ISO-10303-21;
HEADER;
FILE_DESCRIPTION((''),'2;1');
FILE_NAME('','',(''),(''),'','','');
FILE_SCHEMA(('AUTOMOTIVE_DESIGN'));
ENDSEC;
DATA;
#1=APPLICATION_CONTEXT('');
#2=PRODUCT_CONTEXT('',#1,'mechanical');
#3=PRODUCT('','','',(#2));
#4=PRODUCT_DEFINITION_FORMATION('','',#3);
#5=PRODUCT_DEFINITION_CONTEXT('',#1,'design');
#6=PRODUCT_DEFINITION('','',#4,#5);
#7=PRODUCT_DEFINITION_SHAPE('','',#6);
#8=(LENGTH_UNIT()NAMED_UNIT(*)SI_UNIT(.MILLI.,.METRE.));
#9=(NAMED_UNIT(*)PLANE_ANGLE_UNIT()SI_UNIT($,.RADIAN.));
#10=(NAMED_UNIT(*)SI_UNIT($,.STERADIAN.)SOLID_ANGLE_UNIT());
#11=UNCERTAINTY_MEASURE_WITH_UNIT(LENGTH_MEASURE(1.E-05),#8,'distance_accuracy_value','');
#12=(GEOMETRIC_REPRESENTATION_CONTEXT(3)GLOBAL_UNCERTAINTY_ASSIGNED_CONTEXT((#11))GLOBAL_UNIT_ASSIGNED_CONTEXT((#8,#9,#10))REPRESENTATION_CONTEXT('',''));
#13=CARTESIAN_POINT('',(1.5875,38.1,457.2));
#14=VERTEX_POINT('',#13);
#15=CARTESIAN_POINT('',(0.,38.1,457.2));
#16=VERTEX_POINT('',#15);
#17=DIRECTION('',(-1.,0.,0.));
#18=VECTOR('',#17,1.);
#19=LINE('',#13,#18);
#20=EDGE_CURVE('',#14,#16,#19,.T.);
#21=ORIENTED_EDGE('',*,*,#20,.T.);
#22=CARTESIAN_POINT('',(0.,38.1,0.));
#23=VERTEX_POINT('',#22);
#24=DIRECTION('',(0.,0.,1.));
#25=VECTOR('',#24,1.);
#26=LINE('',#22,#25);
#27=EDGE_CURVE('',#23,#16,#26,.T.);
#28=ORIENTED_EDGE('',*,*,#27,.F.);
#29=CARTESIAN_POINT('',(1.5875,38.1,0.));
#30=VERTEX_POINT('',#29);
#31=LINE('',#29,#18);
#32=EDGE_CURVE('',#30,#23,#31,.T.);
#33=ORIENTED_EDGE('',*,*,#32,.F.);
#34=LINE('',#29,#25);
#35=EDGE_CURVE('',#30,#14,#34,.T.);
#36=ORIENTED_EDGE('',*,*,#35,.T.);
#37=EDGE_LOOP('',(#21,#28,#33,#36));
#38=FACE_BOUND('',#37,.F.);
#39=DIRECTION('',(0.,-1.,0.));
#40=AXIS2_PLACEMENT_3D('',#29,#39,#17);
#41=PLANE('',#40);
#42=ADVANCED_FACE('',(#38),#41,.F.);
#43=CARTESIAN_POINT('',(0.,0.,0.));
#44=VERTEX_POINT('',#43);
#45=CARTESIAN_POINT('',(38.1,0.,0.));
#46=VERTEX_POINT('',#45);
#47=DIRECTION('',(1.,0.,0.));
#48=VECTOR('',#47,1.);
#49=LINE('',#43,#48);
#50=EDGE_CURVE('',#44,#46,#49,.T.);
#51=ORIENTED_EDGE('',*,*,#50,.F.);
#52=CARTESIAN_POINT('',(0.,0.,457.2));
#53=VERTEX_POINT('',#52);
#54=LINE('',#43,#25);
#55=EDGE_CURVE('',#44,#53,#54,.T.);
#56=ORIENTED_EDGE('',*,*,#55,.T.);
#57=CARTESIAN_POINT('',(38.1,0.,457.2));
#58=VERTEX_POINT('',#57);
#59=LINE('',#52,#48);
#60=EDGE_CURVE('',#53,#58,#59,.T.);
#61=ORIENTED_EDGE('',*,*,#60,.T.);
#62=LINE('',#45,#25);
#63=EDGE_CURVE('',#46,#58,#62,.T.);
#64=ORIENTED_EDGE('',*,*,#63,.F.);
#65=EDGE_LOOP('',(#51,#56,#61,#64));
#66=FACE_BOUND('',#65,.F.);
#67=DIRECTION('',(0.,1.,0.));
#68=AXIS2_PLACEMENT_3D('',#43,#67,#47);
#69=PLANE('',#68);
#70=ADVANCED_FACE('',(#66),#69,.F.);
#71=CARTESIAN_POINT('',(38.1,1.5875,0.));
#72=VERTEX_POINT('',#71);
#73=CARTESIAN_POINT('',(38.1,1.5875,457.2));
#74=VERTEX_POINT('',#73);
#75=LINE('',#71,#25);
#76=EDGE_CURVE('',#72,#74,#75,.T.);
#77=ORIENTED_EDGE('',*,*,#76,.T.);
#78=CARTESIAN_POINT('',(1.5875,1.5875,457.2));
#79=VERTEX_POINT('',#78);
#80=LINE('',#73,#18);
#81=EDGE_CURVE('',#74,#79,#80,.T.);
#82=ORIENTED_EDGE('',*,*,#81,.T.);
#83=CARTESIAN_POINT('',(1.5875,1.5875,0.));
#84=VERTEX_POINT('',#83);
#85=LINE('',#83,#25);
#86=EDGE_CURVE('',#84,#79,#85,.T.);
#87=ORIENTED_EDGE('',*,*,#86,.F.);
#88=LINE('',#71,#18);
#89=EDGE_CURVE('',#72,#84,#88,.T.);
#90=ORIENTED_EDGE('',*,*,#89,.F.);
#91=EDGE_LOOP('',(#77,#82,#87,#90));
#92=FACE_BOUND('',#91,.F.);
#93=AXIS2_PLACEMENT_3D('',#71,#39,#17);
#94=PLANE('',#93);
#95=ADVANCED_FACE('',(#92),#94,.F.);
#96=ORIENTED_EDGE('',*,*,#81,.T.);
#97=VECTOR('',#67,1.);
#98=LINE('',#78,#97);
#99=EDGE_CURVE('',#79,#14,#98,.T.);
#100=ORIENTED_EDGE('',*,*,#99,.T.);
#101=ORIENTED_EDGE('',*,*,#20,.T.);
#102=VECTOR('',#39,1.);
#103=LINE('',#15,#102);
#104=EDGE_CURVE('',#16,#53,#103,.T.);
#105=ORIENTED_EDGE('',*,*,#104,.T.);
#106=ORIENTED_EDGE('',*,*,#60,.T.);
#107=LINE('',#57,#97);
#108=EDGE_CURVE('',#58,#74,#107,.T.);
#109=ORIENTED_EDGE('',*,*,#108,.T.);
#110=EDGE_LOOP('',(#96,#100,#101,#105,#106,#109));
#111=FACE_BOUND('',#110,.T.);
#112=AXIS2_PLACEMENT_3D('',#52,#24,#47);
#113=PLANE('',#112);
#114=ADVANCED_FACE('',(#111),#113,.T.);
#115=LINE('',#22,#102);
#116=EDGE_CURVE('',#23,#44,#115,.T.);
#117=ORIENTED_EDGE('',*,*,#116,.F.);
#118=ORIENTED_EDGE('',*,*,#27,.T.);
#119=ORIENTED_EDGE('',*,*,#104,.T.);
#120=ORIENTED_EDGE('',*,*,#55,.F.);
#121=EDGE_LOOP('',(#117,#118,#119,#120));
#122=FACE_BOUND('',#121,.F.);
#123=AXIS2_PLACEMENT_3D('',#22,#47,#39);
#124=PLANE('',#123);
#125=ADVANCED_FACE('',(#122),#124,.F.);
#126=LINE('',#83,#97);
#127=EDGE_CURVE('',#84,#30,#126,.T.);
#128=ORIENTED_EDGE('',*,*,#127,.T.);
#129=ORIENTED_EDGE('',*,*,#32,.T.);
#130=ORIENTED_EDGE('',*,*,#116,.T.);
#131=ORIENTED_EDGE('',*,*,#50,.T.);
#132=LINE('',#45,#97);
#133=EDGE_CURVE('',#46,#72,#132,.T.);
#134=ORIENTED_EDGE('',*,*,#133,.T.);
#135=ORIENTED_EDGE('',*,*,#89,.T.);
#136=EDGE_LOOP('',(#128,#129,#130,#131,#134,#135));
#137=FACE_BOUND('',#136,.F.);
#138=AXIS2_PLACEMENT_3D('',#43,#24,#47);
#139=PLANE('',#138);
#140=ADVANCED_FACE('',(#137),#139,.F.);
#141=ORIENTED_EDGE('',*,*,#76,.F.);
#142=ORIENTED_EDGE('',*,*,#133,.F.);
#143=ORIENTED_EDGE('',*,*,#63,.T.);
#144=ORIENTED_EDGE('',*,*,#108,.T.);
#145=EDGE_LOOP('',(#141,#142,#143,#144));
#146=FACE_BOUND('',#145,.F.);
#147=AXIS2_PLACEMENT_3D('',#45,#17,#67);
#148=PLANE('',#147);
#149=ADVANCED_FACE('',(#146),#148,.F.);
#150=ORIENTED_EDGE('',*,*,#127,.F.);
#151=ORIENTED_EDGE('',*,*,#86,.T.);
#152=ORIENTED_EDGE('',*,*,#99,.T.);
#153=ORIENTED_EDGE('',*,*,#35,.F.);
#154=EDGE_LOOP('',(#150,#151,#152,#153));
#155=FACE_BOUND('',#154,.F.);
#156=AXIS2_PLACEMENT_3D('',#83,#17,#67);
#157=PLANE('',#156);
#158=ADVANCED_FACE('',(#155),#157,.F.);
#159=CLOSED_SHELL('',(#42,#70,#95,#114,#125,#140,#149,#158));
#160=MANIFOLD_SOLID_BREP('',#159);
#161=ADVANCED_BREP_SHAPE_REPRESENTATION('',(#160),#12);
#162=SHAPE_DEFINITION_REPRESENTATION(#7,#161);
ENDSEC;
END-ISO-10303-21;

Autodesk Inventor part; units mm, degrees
ref_plane "YZ Plane" through (0, 0, 0) normal (1, 0, 0) x (0, 1, 0)
ref_plane "XZ Plane" through (0, 0, 0) normal (0, 1, 0) x (-1, 0, 0)
ref_plane "XY Plane" through (0, 0, 0) normal (0, 0, 1) x (1, 0, 0)
sketch "Sketch1" plane through (0, 0, 0) normal (0, 0, 1) x (1, 0, 0)
  line L0 (0, 0) -> (38.1, 0)
  line L1 (38.1, 0) -> (38.1, 1.5875)
  line L2 (38.1, 1.5875) -> (1.5875, 1.5875)
  line L3 (1.5875, 1.5875) -> (1.5875, 38.1)
  line L4 (1.5875, 38.1) -> (0, 38.1)
  line L5 (0, 38.1) -> (0, 0)
  dimension "leglength" = 38.1
  dimension "thickness" = 1.5875
  dimension "d2" = 36.5125
  dimension "d3" = 36.5125
  dimension "d4" = 1.5875
extrude "Extrusion1" add sketch "Sketch1" along normal blind 457.2
equation "\"d2\" = leglength - thickness"
equation "\"d3\" = leglength - thickness"
equation "\"d4\" = thickness"
equation "\"d5\" = length"
equation "\"length\" = 457.2"
properties part number "Aluminum Angle Channel-01" material "Aluminum 6061"
